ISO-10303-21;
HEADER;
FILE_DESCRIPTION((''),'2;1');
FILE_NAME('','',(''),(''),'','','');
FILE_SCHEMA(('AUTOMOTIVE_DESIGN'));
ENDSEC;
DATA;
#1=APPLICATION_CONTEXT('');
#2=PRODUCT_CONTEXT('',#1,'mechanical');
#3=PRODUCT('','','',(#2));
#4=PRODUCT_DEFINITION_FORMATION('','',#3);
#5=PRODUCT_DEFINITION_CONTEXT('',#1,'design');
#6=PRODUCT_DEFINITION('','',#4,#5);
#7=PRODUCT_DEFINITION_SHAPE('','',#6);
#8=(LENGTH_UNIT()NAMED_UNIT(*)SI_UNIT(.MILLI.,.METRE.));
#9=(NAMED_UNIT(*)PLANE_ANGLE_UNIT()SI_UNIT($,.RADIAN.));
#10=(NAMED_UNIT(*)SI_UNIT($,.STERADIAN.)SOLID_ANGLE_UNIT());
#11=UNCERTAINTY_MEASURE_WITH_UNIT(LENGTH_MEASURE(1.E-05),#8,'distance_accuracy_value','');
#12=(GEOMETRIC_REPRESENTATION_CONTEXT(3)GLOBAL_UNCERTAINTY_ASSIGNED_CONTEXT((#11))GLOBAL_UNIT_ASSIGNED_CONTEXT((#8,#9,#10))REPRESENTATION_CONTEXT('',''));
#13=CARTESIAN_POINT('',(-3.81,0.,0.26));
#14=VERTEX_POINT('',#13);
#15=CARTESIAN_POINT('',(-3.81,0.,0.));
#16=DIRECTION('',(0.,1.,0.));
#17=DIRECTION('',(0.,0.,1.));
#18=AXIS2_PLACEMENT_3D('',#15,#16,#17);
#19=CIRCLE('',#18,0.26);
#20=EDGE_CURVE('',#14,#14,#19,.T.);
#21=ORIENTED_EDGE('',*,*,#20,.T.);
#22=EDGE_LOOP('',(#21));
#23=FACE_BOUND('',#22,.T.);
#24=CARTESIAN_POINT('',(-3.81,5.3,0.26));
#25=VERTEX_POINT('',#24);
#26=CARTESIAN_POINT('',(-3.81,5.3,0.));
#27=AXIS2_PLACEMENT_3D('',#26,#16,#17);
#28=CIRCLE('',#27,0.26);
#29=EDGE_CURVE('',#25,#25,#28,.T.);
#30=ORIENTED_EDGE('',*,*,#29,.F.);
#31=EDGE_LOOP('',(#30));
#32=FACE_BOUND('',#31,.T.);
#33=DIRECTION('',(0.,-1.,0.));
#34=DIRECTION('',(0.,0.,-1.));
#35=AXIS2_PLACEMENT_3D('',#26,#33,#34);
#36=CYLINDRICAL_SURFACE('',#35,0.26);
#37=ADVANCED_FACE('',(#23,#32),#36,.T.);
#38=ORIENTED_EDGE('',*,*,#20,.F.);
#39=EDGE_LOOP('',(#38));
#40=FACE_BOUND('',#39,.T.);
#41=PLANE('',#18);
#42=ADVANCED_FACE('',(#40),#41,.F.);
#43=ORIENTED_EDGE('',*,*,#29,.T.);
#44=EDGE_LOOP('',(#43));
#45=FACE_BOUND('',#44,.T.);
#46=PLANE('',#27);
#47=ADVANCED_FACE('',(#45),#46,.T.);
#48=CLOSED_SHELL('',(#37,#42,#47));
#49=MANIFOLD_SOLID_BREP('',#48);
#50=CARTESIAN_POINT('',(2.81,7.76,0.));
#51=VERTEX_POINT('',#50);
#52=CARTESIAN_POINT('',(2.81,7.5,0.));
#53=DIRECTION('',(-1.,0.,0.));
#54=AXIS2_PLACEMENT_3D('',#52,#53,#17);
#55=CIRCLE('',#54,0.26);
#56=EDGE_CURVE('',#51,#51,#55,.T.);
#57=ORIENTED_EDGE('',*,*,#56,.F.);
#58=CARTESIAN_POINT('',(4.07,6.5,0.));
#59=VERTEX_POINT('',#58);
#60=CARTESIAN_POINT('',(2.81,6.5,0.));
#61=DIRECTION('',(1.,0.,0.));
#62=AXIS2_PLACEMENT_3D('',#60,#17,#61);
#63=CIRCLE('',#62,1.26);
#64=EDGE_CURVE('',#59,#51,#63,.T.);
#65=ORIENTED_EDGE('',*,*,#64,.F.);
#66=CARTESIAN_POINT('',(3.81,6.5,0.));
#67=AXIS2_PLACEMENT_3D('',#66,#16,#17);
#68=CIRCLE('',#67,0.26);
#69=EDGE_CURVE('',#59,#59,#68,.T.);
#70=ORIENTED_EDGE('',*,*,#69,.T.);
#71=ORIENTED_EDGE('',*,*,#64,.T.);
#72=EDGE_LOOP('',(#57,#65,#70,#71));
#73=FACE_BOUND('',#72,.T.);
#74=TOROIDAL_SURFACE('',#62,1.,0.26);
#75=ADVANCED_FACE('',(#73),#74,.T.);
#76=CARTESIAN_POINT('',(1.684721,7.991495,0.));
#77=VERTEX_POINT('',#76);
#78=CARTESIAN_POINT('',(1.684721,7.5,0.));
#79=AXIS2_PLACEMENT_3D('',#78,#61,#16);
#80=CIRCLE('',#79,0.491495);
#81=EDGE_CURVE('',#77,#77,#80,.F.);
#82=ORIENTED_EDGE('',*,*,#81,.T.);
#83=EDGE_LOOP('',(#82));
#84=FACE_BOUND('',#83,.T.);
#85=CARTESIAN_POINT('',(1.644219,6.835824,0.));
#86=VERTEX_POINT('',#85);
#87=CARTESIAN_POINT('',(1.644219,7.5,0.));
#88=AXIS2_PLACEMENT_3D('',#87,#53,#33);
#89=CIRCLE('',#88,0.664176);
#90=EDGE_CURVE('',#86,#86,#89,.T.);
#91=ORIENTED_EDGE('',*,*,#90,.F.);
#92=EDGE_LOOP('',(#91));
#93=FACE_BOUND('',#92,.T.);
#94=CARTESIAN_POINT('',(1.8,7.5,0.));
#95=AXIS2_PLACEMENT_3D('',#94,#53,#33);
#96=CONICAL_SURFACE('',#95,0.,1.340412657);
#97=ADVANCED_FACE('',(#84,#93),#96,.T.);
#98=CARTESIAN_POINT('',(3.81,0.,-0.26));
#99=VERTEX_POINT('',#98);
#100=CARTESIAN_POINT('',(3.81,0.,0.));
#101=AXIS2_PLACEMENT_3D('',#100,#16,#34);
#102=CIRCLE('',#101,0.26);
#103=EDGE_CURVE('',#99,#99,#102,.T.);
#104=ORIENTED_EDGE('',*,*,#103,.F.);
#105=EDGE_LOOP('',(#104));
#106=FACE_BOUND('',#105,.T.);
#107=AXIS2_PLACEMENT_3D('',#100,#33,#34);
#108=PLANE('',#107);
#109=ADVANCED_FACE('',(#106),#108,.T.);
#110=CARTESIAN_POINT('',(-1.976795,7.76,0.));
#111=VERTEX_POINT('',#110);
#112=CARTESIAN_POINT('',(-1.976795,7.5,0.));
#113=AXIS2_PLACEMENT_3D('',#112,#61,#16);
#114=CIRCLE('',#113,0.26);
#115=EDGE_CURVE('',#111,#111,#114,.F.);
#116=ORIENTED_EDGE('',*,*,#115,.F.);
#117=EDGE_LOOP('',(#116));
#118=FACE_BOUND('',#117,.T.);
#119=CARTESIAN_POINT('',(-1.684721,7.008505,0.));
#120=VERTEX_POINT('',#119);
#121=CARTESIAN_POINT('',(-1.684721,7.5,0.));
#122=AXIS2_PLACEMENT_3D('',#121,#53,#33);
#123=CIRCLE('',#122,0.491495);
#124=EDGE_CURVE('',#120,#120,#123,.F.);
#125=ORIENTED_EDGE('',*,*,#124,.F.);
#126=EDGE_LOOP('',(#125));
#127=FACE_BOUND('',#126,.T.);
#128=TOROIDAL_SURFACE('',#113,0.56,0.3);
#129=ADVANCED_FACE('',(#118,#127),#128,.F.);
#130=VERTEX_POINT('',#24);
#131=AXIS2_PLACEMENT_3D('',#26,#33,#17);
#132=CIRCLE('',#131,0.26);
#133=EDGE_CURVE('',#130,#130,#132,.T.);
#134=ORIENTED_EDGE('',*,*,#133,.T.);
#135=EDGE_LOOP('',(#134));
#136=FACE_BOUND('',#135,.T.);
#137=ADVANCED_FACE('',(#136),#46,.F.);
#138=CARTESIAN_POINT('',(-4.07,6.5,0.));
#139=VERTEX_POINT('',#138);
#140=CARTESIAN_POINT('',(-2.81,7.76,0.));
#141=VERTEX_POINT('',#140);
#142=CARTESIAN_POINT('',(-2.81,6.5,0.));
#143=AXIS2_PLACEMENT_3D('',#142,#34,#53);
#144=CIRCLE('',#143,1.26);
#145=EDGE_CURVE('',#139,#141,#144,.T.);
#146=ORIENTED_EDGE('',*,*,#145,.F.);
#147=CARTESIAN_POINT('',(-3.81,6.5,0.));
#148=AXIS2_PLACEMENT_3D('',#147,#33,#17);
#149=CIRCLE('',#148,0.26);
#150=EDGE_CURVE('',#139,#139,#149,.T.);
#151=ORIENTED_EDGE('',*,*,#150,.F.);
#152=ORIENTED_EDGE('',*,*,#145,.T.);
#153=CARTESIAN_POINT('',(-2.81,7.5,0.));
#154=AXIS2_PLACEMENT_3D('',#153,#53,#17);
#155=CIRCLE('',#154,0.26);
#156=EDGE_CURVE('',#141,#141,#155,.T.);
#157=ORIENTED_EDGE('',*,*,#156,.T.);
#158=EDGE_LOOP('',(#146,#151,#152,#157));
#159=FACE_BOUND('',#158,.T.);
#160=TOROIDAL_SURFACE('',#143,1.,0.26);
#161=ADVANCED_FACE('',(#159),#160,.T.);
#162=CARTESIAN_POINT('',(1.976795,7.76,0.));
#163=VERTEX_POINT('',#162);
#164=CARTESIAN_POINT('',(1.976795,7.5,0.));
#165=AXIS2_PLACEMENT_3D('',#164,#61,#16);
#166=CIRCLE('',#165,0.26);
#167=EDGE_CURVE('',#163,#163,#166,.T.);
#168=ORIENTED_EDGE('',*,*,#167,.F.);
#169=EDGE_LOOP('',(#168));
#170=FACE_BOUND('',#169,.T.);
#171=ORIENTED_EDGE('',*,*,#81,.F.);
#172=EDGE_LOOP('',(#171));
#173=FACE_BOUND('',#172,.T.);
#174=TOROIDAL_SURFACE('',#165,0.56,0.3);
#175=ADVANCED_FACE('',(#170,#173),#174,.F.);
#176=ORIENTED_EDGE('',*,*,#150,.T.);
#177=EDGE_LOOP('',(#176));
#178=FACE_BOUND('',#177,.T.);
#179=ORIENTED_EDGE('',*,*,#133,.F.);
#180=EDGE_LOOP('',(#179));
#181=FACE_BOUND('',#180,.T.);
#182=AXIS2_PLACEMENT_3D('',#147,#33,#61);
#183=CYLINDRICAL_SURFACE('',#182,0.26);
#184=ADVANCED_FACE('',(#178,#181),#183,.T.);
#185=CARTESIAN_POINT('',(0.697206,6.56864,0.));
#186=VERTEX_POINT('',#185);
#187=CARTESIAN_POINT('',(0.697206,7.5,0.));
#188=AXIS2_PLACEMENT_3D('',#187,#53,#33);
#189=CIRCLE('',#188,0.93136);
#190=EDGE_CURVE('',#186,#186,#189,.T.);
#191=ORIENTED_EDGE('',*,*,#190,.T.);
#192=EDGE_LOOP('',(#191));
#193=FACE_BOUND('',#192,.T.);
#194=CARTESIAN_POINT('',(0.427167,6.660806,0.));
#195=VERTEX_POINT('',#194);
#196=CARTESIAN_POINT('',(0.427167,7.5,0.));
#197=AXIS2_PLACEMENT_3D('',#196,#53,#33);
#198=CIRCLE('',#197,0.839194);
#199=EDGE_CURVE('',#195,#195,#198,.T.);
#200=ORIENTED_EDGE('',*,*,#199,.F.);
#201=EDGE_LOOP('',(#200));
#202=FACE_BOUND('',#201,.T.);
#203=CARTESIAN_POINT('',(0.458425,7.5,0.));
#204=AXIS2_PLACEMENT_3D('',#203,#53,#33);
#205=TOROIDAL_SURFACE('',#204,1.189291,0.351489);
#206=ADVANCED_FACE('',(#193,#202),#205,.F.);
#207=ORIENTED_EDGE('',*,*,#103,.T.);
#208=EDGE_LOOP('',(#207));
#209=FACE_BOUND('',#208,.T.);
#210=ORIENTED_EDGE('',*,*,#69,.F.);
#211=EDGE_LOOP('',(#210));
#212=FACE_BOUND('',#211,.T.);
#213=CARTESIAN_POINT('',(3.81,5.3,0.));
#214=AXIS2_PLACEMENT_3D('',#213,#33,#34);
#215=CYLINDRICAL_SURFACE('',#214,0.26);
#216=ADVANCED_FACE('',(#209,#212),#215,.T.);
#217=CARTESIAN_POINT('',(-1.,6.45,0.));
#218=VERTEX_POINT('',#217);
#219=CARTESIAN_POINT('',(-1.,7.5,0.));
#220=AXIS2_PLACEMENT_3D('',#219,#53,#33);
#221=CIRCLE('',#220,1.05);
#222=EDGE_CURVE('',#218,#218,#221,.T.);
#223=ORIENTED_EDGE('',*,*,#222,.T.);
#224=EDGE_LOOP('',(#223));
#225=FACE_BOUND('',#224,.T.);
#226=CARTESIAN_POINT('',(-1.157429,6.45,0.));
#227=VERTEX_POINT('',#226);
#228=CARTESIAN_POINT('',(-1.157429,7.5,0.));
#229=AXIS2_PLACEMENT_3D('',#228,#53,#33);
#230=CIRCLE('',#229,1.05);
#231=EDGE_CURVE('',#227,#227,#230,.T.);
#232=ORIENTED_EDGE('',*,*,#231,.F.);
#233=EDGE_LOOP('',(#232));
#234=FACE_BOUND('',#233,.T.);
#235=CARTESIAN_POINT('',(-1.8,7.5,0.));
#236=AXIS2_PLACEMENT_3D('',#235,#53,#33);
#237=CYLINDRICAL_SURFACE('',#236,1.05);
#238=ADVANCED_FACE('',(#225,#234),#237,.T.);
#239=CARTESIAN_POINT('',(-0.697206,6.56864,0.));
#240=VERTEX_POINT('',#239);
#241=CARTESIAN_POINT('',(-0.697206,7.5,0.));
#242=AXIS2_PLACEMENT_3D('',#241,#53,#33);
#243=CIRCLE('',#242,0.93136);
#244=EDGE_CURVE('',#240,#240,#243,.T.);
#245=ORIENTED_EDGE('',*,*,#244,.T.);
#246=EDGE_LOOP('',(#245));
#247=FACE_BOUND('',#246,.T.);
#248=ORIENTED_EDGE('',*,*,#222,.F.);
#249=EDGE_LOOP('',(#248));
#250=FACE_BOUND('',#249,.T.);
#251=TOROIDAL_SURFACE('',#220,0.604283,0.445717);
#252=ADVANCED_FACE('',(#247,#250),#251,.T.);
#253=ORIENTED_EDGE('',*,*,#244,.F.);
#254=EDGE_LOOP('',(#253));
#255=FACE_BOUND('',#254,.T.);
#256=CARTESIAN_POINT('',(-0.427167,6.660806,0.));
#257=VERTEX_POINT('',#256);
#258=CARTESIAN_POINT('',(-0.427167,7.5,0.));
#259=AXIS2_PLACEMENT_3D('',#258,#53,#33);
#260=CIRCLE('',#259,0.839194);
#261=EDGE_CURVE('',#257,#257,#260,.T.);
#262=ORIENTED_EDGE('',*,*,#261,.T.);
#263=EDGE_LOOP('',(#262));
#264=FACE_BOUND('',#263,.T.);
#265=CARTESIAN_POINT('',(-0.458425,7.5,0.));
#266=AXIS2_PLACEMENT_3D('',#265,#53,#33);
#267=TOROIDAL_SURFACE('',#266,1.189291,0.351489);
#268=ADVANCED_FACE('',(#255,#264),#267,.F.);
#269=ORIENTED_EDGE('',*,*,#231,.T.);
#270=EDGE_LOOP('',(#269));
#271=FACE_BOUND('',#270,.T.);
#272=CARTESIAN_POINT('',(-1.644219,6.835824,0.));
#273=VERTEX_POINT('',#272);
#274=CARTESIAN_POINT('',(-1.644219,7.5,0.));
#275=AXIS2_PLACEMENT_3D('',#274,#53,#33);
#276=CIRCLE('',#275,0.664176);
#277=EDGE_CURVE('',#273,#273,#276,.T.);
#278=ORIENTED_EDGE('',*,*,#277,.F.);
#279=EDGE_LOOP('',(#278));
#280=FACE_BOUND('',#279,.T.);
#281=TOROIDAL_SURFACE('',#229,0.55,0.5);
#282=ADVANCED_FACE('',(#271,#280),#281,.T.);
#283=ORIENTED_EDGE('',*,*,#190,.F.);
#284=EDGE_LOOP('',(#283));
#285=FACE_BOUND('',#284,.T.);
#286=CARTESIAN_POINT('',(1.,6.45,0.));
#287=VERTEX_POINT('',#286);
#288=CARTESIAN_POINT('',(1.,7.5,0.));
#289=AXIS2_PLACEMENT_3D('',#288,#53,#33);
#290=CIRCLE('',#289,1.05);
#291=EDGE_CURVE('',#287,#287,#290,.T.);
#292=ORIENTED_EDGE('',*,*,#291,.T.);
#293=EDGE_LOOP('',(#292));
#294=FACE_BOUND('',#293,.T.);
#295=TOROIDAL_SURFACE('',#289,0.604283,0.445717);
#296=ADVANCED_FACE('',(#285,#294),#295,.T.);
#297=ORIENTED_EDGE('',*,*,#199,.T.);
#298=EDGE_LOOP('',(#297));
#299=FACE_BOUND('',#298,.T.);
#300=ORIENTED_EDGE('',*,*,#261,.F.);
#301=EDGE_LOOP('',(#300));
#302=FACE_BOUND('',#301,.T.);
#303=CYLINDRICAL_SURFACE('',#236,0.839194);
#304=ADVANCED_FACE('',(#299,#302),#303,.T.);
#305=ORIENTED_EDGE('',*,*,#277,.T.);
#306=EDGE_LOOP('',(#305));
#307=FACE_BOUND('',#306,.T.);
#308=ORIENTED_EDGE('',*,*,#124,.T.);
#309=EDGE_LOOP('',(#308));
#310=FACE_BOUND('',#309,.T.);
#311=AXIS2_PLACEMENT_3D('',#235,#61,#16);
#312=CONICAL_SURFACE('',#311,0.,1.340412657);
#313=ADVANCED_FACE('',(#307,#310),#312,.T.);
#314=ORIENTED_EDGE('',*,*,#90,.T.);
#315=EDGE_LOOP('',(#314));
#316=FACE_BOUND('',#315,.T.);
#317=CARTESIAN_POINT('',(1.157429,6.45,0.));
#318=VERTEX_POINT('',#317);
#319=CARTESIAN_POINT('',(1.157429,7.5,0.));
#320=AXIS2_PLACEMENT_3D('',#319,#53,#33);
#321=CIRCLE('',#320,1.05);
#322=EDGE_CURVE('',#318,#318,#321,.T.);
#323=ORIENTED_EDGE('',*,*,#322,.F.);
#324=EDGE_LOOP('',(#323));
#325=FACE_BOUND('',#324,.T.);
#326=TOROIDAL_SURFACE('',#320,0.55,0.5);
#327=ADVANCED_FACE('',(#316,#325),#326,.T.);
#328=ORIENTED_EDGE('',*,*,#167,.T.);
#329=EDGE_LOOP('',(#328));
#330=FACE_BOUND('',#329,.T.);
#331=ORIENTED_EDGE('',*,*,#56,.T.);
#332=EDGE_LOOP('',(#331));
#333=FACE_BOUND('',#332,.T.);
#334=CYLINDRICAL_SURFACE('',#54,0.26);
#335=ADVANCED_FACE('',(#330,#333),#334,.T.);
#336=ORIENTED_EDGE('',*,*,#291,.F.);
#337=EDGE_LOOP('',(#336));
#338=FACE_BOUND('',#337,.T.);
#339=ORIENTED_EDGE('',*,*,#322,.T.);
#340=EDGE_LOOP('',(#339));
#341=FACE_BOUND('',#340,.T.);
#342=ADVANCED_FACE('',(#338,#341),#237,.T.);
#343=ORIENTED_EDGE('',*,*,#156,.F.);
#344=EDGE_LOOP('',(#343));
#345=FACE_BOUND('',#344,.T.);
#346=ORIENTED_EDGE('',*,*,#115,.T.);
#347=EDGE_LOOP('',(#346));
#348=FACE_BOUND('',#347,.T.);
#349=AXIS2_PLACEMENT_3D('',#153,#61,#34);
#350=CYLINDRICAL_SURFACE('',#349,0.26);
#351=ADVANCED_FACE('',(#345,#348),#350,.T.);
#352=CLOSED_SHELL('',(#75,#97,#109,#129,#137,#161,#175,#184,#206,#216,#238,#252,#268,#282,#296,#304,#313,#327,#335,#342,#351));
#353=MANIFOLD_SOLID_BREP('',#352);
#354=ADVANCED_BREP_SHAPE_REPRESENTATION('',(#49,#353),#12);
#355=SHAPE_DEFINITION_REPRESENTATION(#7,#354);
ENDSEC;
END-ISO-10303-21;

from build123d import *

# Parameters (mm, degrees)
SKETCH1_R             = 0.26
BOSS_EXTRUDE1_DEPTH   = 5.3
BOSS_EXTRUDE1_2_DEPTH = 5.3
SKETCH4_R             = 0.26
FILLET2_R             = 0.3


with BuildPart() as part:
    # Sketch1 → Boss-Extrude1 (new body)
    with BuildSketch(Plane(origin=(0, 0, 0), x_dir=(1, 0, 0), z_dir=(0, 1, 0))):
        with Locations(Location((-3.81, 0, 0), (0, 0, 270))):
            Circle(SKETCH1_R)
    extrude(amount=BOSS_EXTRUDE1_DEPTH)


with BuildPart() as body_2:
    # Sketch1 → Boss-Extrude1 2 (new body)
    with BuildSketch(Plane(origin=(0, 0, 0), x_dir=(1, 0, 0), z_dir=(0, 1, 0))):
        with Locations(Location((3.81, 0, 0), (0, 0, 90))):
            Circle(SKETCH1_R)
    extrude(amount=BOSS_EXTRUDE1_2_DEPTH)



with BuildPart() as body_3:
    # Sketch2 → Revolve1 (revolve)
    with BuildSketch(Plane.XY, mode=Mode.PRIVATE) as revolve1_sk:
        with BuildLine():
            Line((-1.644218888, 8.164175537), (-1.8, 7.5))
            Line((-1.8, 7.5), (1.8, 7.5))
            Line((1.8, 7.5), (1.644218888, 8.164175537))
            ThreePointArc((1.644218888, 8.164175537), (1.46800331, 8.441846761), (1.15742946, 8.55))
            Line((1.15742946, 8.55), (1, 8.55))
            ThreePointArc((1, 8.55), (0.837396621, 8.519281515), (0.697206266, 8.431360251))
            ThreePointArc((0.697206266, 8.431360251), (0.571959777, 8.356643172), (0.427167283, 8.339194432))
            Line((0.427167283, 8.339194432), (-0.427167283, 8.339194432))
            ThreePointArc((-0.427167283, 8.339194432), (-0.571959777, 8.356643172), (-0.697206266, 8.431360251))
            ThreePointArc((-0.697206266, 8.431360251), (-0.837396621, 8.519281515), (-1, 8.55))
            Line((-1, 8.55), (-1.15742946, 8.55))
            ThreePointArc((-1.15742946, 8.55), (-1.46800331, 8.441846761), (-1.644218888, 8.164175537))
        make_face()
    revolve(revolve1_sk.sketch.rotate(Axis((-1.8, 7.5, 0), (1, 0, 0)), 180), axis=Axis((-1.8, 7.5, 0), (1, 0, 0)))


with BuildPart() as body_2_1:
    add(body_2.part)

    add(body_3.part)  # Sweep1 merges body 3
    # Sweep1: sweep along a path in Sketch3
    with BuildLine(Plane.XY) as sweep1_path:
        Line((1.5679668, 7.5), (2.81, 7.5))
        ThreePointArc((2.81, 7.5), (3.517106781, 7.207106781), (3.81, 6.5))
        Line((3.81, 6.5), (3.81, 5.3))
    # Sketch4 → Sweep1 (sweep)
    with BuildSketch(Plane(origin=(0, 5.3, 0), x_dir=(1, 0, 0), z_dir=(0, 1, 0))):
        with Locations((3.81, 0)):
            Circle(SKETCH4_R)
    sweep1 = sweep(path=sweep1_path.line)

    # Mirror1: Sweep1 across plane
    add(sweep1.mirror(Plane(origin=(0, 0, 0), x_dir=(0, 0, 1), z_dir=(1, 0, 0))))

    # Fillet2
    fillet2_edges = [body_2_1.edges().sort_by_distance(p)[0] for p in [
        (1.739017493, 7.5, -0.26),
        (-1.739017493, 7.5, -0.26),
    ]]
    fillet(fillet2_edges, radius=FILLET2_R)


solid = Compound([part.part, body_2_1.part])
